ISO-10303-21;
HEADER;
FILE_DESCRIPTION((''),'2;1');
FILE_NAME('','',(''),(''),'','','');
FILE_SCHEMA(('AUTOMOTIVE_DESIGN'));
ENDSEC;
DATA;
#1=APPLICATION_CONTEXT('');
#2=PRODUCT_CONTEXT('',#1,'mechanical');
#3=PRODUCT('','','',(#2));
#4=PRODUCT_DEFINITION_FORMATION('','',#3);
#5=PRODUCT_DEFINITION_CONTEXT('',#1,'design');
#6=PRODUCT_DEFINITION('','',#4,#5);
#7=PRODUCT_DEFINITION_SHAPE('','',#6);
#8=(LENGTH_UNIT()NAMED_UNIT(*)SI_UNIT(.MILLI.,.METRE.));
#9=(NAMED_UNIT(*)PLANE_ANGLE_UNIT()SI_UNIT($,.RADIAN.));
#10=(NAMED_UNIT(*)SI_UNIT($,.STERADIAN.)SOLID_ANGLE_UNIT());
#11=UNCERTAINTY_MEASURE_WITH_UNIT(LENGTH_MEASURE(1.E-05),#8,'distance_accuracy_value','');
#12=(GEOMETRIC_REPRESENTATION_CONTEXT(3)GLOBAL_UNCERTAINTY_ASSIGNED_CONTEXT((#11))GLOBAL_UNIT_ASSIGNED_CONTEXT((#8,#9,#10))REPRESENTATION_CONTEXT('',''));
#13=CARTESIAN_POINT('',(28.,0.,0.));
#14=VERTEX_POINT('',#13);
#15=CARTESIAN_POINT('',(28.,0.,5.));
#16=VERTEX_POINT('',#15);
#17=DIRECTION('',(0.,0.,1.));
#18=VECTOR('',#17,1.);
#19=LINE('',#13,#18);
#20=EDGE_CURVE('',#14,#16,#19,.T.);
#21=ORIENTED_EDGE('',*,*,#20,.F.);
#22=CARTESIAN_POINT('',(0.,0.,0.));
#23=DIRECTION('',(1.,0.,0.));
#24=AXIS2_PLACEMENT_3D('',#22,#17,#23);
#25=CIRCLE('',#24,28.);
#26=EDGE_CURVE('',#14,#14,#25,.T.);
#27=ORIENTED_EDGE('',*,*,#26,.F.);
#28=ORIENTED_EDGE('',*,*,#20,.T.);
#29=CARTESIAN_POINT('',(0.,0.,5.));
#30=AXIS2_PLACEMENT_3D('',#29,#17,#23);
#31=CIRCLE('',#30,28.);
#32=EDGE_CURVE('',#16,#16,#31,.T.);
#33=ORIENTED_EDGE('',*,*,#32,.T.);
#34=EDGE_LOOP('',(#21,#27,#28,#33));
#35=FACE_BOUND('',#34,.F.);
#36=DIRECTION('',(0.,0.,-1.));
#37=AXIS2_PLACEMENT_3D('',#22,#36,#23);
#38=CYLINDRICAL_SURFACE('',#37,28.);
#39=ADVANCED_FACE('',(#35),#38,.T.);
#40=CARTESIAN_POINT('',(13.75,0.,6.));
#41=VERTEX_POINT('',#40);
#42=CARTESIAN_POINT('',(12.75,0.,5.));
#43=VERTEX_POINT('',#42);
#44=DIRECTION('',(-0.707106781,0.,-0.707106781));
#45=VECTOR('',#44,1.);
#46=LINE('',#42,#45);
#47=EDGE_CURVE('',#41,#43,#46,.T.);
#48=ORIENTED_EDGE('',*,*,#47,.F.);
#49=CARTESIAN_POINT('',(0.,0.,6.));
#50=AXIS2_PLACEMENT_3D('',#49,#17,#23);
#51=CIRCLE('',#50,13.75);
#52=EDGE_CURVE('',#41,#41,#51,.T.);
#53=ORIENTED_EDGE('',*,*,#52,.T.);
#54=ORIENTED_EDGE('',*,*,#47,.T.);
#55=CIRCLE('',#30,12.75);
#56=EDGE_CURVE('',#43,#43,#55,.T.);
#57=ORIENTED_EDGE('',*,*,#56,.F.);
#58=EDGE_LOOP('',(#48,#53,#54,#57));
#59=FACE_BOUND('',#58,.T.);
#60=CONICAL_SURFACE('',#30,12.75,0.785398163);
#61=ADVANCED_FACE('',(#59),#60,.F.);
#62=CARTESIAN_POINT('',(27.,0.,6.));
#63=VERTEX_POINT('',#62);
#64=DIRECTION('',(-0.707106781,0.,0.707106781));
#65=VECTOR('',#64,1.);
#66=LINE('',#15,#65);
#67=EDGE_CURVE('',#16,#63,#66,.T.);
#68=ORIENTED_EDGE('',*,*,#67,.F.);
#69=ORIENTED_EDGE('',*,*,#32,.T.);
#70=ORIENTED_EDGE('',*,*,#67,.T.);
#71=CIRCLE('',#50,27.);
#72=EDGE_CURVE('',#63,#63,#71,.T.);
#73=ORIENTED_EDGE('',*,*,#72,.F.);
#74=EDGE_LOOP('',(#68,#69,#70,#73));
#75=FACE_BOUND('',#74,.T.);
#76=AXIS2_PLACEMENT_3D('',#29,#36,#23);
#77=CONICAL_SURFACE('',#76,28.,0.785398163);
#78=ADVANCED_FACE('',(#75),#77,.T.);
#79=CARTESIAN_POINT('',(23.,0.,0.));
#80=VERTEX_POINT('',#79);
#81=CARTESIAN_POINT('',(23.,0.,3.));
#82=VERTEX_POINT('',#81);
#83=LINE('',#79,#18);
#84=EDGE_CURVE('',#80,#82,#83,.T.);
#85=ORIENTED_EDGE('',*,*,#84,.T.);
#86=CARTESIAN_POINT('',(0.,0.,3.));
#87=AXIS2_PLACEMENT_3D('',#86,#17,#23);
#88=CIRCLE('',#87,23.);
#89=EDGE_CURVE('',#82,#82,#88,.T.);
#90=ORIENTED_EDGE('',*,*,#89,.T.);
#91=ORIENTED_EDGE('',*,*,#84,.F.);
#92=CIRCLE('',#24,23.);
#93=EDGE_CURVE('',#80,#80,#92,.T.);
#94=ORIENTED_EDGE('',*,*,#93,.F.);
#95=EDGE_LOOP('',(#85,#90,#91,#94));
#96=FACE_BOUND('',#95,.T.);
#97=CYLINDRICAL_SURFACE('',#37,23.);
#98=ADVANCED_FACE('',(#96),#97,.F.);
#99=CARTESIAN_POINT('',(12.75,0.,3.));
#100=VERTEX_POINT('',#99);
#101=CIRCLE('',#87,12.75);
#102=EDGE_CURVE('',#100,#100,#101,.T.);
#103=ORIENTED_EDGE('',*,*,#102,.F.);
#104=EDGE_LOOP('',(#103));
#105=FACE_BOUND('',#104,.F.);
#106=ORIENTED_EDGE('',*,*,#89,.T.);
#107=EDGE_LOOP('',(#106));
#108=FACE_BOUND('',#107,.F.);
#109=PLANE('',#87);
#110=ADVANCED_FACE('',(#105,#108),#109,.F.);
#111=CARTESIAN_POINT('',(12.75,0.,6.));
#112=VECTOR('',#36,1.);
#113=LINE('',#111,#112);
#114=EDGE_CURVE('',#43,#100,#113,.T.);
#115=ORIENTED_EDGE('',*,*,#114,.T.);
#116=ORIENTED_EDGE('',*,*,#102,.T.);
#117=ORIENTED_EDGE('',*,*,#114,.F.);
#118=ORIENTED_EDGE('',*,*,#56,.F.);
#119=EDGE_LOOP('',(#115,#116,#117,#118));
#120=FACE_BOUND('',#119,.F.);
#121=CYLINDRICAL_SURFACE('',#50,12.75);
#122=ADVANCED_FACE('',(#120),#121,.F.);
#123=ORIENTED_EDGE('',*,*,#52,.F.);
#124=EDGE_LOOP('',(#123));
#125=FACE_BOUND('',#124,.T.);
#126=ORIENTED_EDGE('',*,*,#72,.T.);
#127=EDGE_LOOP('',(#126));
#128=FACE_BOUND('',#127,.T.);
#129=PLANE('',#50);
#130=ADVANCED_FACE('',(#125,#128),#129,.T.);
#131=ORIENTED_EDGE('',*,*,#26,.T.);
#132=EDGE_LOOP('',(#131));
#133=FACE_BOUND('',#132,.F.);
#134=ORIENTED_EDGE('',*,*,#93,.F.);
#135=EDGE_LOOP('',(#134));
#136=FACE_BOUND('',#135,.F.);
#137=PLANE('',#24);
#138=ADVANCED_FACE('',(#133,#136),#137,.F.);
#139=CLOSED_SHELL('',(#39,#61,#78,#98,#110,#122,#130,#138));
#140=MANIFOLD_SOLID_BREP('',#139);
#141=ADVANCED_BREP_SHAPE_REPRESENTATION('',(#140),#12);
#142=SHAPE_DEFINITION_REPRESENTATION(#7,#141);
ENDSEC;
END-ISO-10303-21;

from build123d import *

# Parameters (mm, degrees)
F0_R     = 28
F0_R_2   = 23
F1_DEPTH = 6
F2_DEPTH = 3
F3_R     = 12.75
F4_DEPTH = 6.001
F5_SIZE  = 1


with BuildPart() as f1:
    # F0 (on Top) → F1 (new body)
    with BuildSketch(Plane.XY):
        Circle(F0_R)
        Circle(F0_R_2, mode=Mode.SUBTRACT)
        Circle(F0_R_2)
    extrude(amount=F1_DEPTH)

    # F0 (on Top) → F2 (cut)
    with BuildSketch(Plane.XY):
        Circle(F0_R_2)
    extrude(amount=F2_DEPTH, mode=Mode.SUBTRACT)

    # F3 (on face) → F4 (cut, through all)
    with BuildSketch(Plane.XY.offset(6)):
        Circle(F3_R)
    extrude(amount=-F4_DEPTH, mode=Mode.SUBTRACT)

    # F5
    f5_edges = [f1.edges().sort_by_distance(p)[0] for p in [
        (-12.75, 0, 6),
        (-28, 0, 6),
    ]]
    chamfer(f5_edges, length=F5_SIZE)


solid = f1.part
